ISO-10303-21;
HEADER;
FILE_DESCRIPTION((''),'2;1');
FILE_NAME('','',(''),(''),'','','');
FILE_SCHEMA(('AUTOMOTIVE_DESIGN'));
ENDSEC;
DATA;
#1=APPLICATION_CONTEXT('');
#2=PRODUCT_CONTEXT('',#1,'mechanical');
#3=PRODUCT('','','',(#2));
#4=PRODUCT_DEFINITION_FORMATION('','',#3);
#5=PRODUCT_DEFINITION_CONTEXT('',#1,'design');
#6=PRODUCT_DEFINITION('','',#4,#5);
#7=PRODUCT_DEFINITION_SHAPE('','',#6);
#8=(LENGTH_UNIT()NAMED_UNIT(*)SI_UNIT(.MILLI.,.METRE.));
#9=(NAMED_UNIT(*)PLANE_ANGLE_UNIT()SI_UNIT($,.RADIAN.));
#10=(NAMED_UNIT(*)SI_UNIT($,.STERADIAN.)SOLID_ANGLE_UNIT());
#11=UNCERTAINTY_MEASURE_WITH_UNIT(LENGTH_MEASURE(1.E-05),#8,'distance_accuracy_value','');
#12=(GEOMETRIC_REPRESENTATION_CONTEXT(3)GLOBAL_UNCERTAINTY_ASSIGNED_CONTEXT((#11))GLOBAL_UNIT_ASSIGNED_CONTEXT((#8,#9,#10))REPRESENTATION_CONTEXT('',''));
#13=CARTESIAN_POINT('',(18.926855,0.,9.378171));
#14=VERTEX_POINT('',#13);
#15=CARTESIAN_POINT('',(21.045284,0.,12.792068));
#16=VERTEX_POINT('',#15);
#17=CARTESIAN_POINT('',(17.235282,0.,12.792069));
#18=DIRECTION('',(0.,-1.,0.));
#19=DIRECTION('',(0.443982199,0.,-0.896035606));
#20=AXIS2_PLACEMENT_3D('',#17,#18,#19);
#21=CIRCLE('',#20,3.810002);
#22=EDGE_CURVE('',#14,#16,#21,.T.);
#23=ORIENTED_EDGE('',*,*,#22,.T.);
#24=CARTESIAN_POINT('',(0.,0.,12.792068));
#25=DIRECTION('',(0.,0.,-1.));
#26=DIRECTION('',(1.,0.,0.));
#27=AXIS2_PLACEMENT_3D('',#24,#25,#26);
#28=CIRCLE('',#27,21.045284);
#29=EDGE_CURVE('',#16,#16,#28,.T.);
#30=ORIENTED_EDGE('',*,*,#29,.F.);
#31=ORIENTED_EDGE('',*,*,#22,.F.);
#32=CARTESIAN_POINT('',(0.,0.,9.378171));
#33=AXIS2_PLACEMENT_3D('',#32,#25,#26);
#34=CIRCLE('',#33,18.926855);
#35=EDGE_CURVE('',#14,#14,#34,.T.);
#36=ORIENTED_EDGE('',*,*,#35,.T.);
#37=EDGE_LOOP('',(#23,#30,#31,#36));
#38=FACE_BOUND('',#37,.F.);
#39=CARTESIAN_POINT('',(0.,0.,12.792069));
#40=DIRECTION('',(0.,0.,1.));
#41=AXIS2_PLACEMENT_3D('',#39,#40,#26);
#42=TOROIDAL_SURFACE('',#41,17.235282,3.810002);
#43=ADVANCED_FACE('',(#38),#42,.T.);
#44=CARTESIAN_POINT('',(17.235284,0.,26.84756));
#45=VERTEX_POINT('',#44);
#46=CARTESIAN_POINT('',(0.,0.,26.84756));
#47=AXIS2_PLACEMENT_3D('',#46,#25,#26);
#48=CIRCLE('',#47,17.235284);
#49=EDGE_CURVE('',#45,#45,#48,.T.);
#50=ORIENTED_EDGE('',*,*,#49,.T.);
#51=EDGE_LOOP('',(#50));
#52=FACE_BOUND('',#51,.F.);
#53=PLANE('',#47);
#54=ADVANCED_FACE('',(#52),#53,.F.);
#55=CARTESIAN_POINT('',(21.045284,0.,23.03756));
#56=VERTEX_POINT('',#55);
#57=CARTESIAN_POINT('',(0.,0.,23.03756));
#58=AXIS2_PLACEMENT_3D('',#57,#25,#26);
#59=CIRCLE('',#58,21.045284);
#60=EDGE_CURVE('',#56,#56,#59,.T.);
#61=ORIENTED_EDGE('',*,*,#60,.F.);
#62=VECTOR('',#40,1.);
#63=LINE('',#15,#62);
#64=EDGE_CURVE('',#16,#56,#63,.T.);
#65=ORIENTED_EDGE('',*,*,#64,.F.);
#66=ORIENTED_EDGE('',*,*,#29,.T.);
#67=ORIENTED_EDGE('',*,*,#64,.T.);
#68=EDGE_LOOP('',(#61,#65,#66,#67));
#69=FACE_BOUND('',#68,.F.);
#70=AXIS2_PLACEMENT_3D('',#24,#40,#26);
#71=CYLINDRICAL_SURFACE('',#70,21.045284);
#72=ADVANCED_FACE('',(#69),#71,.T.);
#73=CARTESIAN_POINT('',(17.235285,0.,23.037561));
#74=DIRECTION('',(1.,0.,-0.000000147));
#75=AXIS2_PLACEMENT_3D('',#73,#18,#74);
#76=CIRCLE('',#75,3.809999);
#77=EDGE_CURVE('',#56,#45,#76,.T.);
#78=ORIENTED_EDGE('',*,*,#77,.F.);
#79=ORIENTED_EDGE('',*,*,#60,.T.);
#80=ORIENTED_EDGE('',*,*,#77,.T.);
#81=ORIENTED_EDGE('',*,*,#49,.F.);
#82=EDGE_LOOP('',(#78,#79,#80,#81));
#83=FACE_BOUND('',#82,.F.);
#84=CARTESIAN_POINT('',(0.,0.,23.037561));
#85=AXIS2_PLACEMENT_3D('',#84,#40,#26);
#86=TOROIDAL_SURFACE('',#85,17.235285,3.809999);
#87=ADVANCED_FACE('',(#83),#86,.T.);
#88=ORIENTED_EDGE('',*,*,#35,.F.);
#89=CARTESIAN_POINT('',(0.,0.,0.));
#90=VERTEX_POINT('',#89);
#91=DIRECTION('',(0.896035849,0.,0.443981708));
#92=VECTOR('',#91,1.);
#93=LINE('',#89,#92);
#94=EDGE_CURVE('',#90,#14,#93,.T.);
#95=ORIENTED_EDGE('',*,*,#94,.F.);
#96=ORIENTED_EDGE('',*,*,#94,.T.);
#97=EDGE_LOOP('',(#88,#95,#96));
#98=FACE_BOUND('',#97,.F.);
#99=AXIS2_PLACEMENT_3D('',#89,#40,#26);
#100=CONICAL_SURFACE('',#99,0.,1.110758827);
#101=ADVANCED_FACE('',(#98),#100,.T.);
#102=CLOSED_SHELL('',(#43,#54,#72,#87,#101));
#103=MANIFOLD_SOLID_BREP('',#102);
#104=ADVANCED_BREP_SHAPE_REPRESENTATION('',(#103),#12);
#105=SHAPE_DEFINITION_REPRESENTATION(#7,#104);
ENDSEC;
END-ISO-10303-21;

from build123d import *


with BuildPart() as f1:
    # F0 (on Front) → F1 (revolve)
    with BuildSketch(Plane.XZ):
        with BuildLine():
            Line((0, 26.84756), (0, 0))
            Line((0, 0), (18.926855, 9.378171))
            ThreePointArc((18.926855, 9.378171), (20.472643, 10.783186), (21.045284, 12.792068))
            Line((21.045284, 12.792068), (21.045284, 23.03756))
            ThreePointArc((21.045284, 23.03756), (19.929361, 25.731637), (17.235284, 26.84756))
            Line((17.235284, 26.84756), (0, 26.84756))
        make_face()
    revolve(axis=Axis((0, 0, 13.42378), (0, 0, -1)))


solid = f1.part
